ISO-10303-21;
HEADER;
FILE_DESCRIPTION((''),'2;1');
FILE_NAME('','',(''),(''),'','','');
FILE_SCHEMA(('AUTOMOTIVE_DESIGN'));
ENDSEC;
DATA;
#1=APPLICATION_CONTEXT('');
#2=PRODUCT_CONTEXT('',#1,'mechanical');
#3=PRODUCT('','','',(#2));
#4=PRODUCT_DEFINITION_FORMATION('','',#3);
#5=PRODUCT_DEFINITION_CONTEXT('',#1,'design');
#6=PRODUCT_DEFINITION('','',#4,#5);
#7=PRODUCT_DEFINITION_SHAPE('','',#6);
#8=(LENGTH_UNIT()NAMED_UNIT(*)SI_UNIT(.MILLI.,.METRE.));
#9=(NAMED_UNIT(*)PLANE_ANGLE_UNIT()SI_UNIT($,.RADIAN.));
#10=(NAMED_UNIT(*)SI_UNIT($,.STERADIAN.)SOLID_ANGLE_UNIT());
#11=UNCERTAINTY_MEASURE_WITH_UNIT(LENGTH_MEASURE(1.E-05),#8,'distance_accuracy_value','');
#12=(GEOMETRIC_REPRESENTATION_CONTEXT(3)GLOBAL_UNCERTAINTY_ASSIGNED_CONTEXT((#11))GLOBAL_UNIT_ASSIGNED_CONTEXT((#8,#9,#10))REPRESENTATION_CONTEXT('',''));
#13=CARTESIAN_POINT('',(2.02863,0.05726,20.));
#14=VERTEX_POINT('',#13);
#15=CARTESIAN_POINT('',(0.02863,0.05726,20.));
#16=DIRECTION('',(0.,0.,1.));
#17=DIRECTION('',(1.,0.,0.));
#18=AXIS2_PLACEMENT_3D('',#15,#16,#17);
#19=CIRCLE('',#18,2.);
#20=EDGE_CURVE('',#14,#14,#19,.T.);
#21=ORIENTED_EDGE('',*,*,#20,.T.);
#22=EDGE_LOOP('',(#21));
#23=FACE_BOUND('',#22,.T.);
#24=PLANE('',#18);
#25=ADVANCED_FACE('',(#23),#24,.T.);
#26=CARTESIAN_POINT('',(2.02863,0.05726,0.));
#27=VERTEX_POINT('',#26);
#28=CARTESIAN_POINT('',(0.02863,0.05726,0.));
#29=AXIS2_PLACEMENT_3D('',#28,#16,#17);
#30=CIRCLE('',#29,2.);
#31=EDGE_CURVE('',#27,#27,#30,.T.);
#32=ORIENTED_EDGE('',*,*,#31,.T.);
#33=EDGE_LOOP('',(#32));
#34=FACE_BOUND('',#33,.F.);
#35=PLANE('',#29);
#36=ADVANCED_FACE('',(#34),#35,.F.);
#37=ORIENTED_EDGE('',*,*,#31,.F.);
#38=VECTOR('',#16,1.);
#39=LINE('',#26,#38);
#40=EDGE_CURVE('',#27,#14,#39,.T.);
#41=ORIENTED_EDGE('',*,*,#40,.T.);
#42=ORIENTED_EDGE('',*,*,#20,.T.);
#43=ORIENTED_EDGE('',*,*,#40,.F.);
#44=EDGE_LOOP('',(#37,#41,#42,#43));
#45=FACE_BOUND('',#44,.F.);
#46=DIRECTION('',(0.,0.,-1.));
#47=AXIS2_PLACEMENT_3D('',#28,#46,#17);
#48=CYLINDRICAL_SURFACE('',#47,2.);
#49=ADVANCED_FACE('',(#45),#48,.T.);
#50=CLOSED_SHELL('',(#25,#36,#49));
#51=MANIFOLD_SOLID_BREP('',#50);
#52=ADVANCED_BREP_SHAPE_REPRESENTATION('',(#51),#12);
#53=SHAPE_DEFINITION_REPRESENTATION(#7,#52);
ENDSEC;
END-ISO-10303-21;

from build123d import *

# Parameters (mm, degrees)
SKETCH2_R           = 2
BOSS_EXTRUDE1_DEPTH = 20


with BuildPart() as part:
    # Sketch2 → Boss-Extrude1 (new body)
    with BuildSketch(Plane.XY):
        with Locations((0.028629917, 0.057259833)):
            Circle(SKETCH2_R)
    extrude(amount=BOSS_EXTRUDE1_DEPTH)


solid = part.part
